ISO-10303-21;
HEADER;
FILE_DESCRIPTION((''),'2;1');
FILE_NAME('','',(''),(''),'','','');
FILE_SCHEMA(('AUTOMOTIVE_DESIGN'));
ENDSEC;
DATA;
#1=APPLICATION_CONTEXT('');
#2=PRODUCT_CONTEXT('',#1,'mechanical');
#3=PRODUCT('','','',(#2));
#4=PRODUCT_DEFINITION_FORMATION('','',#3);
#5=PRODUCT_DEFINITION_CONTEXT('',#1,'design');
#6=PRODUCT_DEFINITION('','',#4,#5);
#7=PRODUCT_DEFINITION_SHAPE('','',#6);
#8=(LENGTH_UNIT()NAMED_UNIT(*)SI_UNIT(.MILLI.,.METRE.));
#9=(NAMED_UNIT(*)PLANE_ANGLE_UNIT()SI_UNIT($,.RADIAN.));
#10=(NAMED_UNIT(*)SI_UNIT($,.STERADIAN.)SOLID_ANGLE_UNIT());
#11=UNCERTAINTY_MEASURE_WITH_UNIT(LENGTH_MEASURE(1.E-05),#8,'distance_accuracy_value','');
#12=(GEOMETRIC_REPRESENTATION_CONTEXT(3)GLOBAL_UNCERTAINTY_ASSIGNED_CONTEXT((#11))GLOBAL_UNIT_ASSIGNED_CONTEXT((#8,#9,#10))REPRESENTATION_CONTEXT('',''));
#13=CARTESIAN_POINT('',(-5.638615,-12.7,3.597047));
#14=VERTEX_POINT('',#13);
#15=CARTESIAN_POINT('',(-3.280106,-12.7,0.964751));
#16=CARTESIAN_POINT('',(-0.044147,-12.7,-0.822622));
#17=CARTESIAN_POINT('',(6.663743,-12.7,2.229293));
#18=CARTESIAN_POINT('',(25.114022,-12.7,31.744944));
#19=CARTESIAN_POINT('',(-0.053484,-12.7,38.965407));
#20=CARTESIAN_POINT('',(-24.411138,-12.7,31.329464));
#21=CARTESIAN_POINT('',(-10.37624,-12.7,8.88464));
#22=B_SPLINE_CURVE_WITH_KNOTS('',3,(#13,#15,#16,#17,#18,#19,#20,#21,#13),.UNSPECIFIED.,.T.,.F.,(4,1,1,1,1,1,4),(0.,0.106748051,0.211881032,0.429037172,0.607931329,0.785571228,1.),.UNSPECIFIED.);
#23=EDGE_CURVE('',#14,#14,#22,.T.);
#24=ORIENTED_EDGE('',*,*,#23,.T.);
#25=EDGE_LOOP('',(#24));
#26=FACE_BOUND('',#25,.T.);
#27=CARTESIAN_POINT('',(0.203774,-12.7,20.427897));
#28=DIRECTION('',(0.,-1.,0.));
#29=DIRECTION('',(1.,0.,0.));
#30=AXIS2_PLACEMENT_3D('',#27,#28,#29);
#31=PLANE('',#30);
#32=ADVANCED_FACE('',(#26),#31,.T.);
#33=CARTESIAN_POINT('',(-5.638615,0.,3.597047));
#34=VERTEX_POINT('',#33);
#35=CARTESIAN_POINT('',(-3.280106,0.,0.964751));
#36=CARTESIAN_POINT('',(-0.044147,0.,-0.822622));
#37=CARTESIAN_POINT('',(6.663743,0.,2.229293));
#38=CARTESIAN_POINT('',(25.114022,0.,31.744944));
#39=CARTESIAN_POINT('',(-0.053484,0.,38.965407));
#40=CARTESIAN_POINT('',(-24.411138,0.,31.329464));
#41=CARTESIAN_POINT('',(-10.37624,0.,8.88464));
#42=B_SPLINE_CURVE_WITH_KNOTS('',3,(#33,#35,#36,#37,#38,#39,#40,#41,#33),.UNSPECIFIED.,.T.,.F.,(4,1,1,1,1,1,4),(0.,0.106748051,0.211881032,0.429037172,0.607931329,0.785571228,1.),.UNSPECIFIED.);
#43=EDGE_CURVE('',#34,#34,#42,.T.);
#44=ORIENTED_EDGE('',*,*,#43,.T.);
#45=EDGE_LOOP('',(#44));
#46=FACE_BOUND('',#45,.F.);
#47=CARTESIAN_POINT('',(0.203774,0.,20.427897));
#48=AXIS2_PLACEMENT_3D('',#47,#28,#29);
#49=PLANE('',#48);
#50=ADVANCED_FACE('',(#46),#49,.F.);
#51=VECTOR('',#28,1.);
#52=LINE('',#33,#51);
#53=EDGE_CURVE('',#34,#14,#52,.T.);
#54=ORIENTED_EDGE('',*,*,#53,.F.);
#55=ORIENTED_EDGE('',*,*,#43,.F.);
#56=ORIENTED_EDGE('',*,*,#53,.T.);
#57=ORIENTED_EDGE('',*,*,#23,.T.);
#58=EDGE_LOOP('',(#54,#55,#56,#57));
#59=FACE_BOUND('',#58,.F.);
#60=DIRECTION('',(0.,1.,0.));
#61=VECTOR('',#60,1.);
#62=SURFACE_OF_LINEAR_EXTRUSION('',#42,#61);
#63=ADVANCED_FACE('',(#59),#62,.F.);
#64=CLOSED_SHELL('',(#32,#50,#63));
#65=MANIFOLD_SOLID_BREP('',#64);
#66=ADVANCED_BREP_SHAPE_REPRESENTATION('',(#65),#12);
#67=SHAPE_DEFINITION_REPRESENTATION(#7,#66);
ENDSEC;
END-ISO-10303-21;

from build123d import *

# Parameters (mm, degrees)
F1_DEPTH = 12.7


with BuildPart() as f1:
    # F0 (on Front) → F1 (new body)
    with BuildSketch(Plane.XZ):
        with BuildLine():
            add(Edge.make_bspline(
                [(-5.6386152282, 3.5970474128), (-3.2801060883, 0.9647505803), (-0.0441469203, -0.8226220698), (6.6637431855, 2.2292929549), (25.1140224135, 31.7449443729), (-0.0534841084, 38.9654073756), (-24.4111384794, 31.3294639941), (-10.3762400714, 8.8846397554), (-5.6386152282, 3.5970474128)],
                knots=[0, 0, 0, 0, 0.1067480509, 0.2118810319, 0.4290371718, 0.6079313288, 0.7855712283, 1, 1, 1, 1], degree=3))
        make_face()
    extrude(amount=F1_DEPTH)


solid = f1.part
